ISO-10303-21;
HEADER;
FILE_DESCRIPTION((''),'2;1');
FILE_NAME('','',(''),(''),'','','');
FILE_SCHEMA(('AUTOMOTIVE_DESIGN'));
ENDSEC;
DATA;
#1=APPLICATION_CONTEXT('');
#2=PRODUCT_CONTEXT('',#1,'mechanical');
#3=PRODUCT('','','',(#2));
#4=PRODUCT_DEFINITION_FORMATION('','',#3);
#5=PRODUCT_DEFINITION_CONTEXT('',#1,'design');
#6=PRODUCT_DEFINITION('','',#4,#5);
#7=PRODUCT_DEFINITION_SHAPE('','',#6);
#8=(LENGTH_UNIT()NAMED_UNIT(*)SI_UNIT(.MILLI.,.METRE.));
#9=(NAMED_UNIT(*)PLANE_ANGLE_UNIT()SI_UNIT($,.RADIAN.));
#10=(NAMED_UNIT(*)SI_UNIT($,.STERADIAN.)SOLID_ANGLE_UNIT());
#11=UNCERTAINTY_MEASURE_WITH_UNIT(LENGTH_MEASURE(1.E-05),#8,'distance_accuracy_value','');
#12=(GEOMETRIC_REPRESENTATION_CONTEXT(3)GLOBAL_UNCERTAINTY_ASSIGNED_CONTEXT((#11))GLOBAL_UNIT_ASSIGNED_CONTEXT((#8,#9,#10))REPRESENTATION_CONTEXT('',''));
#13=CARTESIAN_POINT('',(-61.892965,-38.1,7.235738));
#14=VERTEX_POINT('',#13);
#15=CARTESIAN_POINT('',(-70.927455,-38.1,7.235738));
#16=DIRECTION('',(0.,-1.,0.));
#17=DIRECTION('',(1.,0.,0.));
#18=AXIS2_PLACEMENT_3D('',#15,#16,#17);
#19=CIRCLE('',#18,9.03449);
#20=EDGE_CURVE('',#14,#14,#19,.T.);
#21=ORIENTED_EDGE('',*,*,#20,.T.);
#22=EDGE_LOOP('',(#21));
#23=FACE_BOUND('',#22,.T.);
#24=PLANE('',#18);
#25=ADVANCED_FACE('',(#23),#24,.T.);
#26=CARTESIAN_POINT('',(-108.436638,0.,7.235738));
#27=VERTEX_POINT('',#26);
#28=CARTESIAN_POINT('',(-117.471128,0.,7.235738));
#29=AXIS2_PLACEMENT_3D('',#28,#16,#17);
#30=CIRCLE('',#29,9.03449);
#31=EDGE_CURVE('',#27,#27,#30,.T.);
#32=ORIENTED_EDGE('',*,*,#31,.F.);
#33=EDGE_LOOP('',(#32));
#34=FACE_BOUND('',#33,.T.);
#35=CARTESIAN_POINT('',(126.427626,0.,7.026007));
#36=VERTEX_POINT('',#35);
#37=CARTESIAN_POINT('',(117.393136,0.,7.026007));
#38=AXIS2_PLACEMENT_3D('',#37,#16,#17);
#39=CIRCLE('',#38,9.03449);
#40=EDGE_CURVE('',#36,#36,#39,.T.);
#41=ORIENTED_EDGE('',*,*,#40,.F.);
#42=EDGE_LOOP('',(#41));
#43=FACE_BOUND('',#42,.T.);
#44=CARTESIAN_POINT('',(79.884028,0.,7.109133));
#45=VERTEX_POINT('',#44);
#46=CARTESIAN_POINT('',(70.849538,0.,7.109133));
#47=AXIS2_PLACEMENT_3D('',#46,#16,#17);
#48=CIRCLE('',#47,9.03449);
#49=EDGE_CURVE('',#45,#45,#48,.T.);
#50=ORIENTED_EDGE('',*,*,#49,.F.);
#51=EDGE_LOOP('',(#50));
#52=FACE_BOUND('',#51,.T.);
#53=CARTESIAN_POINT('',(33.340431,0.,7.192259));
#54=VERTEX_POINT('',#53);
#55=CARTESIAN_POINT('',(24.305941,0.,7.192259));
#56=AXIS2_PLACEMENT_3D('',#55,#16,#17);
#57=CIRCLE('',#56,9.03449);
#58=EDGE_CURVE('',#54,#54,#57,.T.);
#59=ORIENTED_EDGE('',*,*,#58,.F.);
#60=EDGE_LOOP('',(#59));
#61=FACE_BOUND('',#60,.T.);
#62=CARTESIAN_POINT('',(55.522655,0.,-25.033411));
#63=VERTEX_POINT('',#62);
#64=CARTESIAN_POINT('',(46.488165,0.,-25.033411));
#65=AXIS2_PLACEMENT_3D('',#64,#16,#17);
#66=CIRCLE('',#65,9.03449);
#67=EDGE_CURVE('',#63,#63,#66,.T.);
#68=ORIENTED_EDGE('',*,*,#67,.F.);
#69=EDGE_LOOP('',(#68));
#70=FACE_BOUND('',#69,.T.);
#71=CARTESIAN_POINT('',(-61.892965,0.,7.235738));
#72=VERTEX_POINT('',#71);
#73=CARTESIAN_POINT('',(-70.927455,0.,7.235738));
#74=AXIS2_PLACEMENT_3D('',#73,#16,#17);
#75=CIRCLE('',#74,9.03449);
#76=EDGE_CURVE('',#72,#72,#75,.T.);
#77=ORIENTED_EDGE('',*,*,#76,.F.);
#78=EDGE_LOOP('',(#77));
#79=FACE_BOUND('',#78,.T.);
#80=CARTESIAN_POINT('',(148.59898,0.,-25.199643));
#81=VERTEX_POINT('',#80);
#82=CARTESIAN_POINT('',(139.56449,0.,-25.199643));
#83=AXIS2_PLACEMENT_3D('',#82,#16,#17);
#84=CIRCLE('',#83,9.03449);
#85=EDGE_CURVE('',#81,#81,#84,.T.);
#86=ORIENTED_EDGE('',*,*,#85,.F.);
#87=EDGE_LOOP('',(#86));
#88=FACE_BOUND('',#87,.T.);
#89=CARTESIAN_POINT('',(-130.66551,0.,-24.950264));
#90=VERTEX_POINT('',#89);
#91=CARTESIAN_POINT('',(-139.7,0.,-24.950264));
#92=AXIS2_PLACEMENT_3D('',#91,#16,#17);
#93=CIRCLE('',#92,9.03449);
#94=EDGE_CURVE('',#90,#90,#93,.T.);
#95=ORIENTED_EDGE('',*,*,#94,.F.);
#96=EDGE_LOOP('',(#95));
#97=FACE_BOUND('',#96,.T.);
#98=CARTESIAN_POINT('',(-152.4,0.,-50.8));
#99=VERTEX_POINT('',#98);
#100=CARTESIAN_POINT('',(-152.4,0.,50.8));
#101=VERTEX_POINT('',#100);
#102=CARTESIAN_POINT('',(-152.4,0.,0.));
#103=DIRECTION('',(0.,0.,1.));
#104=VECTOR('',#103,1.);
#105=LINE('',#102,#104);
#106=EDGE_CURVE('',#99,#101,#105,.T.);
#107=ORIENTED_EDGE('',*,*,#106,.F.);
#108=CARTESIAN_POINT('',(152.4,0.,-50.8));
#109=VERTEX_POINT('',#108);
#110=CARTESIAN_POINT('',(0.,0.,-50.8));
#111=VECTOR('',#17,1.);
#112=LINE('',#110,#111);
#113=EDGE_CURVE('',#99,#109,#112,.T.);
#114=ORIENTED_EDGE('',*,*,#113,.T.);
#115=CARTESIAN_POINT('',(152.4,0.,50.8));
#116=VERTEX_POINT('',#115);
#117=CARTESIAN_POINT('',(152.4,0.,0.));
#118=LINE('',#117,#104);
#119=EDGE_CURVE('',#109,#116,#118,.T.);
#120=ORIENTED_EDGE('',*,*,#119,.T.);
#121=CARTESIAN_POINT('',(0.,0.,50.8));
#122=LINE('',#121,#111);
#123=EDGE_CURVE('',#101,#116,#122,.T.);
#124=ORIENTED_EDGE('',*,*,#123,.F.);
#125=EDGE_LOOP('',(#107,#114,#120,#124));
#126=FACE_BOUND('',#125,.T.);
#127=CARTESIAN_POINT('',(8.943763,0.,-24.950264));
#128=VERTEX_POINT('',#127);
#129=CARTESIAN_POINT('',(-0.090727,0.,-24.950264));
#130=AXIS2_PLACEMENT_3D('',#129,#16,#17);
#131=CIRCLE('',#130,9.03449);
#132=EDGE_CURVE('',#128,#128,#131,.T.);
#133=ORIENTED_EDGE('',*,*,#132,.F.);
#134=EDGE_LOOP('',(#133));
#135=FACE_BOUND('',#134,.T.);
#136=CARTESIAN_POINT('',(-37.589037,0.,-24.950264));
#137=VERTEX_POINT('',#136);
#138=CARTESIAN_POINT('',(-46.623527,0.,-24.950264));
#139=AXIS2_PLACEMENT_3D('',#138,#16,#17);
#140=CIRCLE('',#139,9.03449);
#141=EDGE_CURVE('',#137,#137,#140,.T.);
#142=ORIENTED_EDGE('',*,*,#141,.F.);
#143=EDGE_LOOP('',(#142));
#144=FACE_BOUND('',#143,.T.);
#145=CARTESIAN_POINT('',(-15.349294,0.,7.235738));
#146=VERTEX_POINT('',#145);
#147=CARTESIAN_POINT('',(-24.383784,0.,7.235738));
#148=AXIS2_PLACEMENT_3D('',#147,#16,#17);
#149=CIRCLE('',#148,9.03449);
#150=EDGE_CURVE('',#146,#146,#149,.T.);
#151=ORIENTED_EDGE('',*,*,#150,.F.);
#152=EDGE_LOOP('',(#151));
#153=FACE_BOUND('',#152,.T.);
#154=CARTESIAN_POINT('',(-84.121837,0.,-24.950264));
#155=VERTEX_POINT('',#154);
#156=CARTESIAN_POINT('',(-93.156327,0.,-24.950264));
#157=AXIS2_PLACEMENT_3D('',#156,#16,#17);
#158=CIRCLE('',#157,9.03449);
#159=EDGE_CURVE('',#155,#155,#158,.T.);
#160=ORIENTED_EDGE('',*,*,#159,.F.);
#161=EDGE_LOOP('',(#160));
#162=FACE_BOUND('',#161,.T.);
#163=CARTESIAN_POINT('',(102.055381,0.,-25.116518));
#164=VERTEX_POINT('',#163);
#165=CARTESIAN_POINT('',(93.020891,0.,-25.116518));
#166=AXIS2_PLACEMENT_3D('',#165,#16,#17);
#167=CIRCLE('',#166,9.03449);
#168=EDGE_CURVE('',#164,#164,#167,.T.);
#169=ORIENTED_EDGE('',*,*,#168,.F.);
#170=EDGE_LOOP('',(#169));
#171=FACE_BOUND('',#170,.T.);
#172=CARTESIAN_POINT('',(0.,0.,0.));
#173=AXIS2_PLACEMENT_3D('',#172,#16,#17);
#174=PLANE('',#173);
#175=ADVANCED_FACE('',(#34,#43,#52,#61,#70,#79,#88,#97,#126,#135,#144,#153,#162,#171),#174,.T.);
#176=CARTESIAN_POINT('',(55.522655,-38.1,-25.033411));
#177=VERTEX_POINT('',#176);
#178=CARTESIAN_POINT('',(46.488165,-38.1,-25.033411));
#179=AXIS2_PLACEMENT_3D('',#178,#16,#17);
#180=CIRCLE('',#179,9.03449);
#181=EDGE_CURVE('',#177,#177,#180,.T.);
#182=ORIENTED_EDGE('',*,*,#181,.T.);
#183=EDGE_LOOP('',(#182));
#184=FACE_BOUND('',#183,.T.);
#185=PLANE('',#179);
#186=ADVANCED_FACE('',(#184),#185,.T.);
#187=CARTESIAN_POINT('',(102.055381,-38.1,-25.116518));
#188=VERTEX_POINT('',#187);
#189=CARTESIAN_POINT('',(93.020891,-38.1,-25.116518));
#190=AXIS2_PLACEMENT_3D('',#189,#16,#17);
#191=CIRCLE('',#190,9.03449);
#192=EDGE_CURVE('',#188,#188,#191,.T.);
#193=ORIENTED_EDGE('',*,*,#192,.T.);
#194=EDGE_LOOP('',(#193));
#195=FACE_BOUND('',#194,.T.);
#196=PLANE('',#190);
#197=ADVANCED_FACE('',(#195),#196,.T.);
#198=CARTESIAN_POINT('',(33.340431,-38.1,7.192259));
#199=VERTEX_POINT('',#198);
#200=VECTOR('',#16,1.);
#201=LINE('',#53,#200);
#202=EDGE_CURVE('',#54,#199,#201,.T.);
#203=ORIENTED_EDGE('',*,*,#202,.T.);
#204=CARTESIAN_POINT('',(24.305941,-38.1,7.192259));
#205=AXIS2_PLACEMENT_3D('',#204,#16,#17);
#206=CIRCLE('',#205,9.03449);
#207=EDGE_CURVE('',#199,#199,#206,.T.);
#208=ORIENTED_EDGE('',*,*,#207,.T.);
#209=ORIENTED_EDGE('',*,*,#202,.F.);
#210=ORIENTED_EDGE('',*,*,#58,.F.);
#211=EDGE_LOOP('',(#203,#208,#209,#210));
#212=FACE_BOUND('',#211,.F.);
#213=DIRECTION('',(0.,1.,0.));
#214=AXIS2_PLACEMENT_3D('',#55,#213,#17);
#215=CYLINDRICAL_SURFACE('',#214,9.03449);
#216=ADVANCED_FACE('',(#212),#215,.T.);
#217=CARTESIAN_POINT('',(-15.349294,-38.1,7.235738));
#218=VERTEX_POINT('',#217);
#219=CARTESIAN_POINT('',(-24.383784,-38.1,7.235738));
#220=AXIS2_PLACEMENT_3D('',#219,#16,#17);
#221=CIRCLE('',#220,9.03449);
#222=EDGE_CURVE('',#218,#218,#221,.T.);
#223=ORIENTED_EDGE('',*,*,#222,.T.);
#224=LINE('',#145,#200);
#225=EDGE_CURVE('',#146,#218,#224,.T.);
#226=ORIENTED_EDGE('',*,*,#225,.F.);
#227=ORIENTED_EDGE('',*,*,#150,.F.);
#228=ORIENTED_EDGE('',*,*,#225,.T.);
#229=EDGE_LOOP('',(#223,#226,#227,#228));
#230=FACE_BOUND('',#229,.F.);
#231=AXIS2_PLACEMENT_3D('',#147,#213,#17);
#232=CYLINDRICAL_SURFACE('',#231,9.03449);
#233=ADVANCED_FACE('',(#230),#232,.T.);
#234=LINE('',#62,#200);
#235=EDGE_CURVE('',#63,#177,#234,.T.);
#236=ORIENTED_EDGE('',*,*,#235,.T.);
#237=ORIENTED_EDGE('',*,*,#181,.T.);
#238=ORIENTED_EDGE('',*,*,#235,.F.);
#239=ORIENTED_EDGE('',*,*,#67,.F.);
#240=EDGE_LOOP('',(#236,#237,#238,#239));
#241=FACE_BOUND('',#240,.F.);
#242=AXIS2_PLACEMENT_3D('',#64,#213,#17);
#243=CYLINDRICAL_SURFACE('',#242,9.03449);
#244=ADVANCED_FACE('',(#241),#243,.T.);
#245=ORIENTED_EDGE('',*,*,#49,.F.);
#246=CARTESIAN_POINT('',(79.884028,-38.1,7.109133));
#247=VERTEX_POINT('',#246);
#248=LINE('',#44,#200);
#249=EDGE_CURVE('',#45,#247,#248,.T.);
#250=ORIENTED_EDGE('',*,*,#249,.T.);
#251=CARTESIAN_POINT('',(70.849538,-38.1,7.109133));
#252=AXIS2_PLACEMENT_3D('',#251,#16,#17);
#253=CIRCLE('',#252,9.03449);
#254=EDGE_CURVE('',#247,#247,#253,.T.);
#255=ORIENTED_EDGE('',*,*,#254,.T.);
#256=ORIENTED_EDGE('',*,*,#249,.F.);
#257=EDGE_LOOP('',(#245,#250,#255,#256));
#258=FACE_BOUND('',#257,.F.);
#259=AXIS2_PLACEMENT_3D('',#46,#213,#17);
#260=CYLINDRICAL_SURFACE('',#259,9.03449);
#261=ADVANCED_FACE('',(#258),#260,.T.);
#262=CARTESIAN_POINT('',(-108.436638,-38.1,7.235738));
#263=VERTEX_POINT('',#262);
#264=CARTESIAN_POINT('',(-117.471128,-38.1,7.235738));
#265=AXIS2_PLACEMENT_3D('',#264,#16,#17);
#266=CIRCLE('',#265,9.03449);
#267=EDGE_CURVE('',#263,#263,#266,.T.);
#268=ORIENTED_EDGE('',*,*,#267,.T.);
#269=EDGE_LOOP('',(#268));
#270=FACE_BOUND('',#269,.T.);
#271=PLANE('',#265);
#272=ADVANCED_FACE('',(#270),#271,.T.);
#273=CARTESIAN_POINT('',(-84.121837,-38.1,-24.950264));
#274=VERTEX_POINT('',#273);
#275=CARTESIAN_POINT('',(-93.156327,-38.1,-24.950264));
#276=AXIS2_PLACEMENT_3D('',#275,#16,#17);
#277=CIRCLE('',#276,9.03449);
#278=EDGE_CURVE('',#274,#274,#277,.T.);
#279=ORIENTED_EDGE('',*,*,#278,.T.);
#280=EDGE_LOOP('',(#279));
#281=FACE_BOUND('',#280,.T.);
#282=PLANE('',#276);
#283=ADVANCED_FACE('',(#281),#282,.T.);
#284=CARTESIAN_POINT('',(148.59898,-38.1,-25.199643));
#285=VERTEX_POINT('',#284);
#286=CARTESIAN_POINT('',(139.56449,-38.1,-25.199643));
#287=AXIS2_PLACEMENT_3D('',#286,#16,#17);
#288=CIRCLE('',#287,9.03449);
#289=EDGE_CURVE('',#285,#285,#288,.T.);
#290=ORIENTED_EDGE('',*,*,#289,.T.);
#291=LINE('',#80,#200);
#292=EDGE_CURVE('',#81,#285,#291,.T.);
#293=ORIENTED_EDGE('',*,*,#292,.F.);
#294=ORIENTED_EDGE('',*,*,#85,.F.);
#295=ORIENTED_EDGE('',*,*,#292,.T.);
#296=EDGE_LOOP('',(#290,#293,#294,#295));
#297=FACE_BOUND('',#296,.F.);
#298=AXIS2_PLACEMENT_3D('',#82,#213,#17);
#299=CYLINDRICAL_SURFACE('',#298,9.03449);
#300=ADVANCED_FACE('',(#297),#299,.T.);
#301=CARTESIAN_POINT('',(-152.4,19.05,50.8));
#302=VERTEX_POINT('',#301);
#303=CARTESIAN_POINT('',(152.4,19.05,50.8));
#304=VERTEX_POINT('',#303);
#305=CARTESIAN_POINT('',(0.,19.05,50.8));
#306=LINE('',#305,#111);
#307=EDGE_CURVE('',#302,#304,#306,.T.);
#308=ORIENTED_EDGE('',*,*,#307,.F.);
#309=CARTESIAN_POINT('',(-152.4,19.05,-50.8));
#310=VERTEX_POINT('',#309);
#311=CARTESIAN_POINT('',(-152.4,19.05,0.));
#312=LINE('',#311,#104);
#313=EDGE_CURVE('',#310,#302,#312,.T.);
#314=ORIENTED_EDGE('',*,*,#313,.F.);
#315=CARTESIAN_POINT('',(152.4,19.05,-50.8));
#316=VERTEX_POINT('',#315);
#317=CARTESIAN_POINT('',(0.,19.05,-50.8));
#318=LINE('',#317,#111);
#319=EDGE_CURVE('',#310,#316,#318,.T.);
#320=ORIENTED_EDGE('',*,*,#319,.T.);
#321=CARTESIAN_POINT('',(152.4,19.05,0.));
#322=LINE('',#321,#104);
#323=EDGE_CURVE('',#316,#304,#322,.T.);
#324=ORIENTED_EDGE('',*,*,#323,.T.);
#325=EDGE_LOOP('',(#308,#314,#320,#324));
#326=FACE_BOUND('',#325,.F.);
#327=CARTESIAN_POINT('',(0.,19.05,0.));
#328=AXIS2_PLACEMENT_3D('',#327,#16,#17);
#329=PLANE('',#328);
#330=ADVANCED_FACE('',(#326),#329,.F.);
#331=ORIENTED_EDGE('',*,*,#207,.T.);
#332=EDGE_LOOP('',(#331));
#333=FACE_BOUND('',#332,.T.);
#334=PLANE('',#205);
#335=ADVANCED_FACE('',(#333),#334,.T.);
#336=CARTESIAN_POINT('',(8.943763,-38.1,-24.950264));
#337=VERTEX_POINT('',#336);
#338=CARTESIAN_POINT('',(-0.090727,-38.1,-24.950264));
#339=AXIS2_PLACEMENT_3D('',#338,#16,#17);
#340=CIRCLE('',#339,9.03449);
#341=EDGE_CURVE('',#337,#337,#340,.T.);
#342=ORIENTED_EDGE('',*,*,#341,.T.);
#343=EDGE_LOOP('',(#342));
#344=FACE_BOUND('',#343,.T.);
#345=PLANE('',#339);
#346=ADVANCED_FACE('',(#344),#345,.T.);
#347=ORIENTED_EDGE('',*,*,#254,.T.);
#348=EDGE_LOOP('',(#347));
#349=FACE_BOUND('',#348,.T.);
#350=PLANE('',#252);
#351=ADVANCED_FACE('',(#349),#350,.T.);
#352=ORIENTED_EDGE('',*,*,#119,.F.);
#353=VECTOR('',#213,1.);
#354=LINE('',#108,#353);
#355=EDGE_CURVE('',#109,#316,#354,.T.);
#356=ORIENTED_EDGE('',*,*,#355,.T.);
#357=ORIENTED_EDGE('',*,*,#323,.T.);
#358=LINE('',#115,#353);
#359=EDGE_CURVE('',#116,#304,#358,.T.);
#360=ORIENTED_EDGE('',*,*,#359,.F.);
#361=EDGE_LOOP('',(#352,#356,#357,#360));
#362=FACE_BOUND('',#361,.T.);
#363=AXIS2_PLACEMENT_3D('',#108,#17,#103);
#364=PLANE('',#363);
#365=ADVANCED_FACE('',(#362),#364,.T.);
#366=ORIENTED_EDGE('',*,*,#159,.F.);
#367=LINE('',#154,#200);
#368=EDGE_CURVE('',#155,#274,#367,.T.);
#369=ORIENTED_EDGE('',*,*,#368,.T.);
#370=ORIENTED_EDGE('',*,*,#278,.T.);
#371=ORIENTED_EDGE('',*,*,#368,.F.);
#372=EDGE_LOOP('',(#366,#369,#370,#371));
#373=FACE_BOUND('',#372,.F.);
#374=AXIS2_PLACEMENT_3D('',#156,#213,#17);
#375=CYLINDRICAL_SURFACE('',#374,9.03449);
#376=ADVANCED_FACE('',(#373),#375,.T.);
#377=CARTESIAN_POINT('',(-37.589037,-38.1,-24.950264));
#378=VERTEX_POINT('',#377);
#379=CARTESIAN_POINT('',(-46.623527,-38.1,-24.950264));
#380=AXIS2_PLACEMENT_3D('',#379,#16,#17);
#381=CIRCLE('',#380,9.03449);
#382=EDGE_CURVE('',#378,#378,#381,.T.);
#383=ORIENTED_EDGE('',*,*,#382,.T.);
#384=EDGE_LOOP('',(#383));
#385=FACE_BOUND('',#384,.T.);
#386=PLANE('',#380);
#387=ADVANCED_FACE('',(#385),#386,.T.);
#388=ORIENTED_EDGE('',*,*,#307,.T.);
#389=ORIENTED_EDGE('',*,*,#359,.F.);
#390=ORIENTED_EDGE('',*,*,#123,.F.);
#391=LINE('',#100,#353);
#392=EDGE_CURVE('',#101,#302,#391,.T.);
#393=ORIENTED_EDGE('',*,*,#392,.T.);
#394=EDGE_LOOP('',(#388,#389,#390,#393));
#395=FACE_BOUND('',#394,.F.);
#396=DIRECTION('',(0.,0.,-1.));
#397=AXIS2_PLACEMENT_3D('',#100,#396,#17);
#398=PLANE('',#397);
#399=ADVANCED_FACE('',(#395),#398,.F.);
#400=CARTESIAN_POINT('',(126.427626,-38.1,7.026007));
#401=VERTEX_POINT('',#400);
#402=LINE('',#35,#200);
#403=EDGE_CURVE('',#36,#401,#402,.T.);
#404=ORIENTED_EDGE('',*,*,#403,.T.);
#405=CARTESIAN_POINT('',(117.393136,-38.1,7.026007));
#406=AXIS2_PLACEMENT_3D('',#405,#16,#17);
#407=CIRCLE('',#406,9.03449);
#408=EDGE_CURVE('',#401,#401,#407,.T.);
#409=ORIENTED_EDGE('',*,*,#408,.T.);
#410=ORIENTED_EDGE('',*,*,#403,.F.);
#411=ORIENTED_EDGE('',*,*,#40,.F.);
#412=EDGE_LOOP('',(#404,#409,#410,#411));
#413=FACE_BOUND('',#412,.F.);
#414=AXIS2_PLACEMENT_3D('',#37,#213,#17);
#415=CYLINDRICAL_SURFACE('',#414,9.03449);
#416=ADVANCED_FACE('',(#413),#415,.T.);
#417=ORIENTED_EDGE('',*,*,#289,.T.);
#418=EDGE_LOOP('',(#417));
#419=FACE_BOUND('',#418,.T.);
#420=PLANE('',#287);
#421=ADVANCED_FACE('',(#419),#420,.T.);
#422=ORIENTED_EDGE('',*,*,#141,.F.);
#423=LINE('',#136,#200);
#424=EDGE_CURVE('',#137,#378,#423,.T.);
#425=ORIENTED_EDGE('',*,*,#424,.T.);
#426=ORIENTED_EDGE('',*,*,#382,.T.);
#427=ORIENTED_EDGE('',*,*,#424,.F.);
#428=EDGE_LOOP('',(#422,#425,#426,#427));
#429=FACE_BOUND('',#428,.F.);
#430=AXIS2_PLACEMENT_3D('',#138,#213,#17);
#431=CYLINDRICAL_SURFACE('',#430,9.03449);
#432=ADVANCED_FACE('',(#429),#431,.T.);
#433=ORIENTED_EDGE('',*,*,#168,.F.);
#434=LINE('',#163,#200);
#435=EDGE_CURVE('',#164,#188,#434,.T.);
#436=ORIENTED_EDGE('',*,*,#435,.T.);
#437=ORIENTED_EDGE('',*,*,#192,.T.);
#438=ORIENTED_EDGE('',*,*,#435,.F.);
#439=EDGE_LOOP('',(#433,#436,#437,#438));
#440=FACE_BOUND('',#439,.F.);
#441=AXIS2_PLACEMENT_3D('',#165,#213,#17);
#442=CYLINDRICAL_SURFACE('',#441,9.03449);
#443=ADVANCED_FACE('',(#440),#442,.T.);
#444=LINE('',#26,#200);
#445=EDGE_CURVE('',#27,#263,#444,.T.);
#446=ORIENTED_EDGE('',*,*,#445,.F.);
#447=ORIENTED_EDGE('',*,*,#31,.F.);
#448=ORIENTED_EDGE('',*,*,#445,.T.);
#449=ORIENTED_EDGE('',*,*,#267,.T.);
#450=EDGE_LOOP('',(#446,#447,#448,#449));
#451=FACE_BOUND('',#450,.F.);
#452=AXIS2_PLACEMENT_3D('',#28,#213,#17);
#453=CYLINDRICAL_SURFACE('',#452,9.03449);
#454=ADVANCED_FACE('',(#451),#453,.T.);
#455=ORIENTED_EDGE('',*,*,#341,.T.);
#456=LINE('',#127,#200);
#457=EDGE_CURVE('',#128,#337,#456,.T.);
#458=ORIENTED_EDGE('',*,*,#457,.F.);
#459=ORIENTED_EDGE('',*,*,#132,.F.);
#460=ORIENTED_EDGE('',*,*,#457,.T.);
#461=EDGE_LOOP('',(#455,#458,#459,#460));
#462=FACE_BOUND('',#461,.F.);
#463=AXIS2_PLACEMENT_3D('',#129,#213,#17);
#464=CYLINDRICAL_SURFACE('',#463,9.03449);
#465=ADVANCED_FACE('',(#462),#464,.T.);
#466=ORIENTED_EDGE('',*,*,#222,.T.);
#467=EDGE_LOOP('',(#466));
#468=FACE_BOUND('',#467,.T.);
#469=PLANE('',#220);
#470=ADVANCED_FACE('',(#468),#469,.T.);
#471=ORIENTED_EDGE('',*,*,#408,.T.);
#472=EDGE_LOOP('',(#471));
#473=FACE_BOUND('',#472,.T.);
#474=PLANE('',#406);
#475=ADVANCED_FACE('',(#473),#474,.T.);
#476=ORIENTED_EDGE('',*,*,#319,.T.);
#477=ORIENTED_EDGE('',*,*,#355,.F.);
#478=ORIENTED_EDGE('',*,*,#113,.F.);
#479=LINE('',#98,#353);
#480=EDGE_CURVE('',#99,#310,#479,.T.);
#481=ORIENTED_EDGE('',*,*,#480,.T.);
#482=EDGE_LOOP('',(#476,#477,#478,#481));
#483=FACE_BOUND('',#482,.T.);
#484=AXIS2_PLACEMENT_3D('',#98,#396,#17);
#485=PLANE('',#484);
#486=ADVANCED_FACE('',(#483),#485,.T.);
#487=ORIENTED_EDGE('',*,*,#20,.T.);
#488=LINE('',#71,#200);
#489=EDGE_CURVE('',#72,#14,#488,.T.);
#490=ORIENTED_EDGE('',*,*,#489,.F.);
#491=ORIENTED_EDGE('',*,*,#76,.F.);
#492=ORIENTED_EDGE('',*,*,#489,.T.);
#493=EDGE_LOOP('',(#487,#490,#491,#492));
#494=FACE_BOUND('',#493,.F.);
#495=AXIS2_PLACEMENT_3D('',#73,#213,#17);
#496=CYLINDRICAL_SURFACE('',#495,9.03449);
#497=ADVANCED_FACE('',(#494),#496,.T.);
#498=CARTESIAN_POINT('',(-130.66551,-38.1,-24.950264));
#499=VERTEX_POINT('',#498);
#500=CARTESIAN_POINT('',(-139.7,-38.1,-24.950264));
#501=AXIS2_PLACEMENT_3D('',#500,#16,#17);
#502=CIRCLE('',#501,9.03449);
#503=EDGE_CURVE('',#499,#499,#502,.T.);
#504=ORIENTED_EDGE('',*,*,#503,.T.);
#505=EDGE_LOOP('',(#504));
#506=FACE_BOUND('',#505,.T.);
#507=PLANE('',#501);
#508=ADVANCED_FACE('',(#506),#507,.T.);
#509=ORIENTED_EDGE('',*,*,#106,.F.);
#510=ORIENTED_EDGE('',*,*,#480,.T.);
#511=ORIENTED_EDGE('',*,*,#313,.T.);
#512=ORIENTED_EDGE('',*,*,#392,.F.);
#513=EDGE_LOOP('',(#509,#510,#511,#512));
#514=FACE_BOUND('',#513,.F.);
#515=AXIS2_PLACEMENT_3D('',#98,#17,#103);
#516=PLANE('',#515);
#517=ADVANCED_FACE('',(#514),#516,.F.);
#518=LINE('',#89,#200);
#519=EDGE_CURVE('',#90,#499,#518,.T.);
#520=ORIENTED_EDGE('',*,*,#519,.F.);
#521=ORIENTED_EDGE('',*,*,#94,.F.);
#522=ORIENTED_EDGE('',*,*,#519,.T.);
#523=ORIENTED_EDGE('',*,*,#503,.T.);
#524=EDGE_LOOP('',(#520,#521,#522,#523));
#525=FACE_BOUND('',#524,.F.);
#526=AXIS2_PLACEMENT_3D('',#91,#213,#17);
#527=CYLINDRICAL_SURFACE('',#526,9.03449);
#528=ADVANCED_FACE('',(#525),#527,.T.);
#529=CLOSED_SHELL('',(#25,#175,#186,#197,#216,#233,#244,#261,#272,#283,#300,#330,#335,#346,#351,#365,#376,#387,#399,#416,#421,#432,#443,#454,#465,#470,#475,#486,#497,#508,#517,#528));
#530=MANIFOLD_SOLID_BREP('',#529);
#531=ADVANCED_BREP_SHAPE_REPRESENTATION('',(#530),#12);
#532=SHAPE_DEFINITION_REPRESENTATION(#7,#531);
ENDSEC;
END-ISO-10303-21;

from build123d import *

# Parameters (mm, degrees)
F0_W     = 304.8
F0_H     = 101.6
F1_DEPTH = 19.05
F2_R     = 9.03449
F3_DEPTH = 38.1


with BuildPart() as f1:
    # F0 (on Front) → F1 (new body)
    with BuildSketch(Plane.XZ):
        Rectangle(F0_W, F0_H)
    extrude(amount=-F1_DEPTH)

    # F2 (on face) → F3 (join)
    with BuildSketch(Plane.XZ):
        with Locations((-93.156327, -24.950264)):
            Circle(F2_R)
        with Locations((-139.7, -24.950264)):
            Circle(F2_R)
        with Locations((-117.471128, 7.235738)):
            Circle(F2_R)
        with Locations((-70.927455, 7.235738)):
            Circle(F2_R)
        with Locations((-46.623527, -24.950264)):
            Circle(F2_R)
        with Locations((-24.383784, 7.235738)):
            Circle(F2_R)
        with Locations((-0.090727, -24.950264)):
            Circle(F2_R)
        with Locations((70.849538, 7.109133)):
            Circle(F2_R)
        with Locations((139.56449, -25.199643)):
            Circle(F2_R)
        with Locations((46.488165, -25.033411)):
            Circle(F2_R)
        with Locations((24.305941, 7.192259)):
            Circle(F2_R)
        with Locations((117.393136, 7.026007)):
            Circle(F2_R)
        with Locations((93.020891, -25.116518)):
            Circle(F2_R)
    extrude(amount=F3_DEPTH)


solid = f1.part
